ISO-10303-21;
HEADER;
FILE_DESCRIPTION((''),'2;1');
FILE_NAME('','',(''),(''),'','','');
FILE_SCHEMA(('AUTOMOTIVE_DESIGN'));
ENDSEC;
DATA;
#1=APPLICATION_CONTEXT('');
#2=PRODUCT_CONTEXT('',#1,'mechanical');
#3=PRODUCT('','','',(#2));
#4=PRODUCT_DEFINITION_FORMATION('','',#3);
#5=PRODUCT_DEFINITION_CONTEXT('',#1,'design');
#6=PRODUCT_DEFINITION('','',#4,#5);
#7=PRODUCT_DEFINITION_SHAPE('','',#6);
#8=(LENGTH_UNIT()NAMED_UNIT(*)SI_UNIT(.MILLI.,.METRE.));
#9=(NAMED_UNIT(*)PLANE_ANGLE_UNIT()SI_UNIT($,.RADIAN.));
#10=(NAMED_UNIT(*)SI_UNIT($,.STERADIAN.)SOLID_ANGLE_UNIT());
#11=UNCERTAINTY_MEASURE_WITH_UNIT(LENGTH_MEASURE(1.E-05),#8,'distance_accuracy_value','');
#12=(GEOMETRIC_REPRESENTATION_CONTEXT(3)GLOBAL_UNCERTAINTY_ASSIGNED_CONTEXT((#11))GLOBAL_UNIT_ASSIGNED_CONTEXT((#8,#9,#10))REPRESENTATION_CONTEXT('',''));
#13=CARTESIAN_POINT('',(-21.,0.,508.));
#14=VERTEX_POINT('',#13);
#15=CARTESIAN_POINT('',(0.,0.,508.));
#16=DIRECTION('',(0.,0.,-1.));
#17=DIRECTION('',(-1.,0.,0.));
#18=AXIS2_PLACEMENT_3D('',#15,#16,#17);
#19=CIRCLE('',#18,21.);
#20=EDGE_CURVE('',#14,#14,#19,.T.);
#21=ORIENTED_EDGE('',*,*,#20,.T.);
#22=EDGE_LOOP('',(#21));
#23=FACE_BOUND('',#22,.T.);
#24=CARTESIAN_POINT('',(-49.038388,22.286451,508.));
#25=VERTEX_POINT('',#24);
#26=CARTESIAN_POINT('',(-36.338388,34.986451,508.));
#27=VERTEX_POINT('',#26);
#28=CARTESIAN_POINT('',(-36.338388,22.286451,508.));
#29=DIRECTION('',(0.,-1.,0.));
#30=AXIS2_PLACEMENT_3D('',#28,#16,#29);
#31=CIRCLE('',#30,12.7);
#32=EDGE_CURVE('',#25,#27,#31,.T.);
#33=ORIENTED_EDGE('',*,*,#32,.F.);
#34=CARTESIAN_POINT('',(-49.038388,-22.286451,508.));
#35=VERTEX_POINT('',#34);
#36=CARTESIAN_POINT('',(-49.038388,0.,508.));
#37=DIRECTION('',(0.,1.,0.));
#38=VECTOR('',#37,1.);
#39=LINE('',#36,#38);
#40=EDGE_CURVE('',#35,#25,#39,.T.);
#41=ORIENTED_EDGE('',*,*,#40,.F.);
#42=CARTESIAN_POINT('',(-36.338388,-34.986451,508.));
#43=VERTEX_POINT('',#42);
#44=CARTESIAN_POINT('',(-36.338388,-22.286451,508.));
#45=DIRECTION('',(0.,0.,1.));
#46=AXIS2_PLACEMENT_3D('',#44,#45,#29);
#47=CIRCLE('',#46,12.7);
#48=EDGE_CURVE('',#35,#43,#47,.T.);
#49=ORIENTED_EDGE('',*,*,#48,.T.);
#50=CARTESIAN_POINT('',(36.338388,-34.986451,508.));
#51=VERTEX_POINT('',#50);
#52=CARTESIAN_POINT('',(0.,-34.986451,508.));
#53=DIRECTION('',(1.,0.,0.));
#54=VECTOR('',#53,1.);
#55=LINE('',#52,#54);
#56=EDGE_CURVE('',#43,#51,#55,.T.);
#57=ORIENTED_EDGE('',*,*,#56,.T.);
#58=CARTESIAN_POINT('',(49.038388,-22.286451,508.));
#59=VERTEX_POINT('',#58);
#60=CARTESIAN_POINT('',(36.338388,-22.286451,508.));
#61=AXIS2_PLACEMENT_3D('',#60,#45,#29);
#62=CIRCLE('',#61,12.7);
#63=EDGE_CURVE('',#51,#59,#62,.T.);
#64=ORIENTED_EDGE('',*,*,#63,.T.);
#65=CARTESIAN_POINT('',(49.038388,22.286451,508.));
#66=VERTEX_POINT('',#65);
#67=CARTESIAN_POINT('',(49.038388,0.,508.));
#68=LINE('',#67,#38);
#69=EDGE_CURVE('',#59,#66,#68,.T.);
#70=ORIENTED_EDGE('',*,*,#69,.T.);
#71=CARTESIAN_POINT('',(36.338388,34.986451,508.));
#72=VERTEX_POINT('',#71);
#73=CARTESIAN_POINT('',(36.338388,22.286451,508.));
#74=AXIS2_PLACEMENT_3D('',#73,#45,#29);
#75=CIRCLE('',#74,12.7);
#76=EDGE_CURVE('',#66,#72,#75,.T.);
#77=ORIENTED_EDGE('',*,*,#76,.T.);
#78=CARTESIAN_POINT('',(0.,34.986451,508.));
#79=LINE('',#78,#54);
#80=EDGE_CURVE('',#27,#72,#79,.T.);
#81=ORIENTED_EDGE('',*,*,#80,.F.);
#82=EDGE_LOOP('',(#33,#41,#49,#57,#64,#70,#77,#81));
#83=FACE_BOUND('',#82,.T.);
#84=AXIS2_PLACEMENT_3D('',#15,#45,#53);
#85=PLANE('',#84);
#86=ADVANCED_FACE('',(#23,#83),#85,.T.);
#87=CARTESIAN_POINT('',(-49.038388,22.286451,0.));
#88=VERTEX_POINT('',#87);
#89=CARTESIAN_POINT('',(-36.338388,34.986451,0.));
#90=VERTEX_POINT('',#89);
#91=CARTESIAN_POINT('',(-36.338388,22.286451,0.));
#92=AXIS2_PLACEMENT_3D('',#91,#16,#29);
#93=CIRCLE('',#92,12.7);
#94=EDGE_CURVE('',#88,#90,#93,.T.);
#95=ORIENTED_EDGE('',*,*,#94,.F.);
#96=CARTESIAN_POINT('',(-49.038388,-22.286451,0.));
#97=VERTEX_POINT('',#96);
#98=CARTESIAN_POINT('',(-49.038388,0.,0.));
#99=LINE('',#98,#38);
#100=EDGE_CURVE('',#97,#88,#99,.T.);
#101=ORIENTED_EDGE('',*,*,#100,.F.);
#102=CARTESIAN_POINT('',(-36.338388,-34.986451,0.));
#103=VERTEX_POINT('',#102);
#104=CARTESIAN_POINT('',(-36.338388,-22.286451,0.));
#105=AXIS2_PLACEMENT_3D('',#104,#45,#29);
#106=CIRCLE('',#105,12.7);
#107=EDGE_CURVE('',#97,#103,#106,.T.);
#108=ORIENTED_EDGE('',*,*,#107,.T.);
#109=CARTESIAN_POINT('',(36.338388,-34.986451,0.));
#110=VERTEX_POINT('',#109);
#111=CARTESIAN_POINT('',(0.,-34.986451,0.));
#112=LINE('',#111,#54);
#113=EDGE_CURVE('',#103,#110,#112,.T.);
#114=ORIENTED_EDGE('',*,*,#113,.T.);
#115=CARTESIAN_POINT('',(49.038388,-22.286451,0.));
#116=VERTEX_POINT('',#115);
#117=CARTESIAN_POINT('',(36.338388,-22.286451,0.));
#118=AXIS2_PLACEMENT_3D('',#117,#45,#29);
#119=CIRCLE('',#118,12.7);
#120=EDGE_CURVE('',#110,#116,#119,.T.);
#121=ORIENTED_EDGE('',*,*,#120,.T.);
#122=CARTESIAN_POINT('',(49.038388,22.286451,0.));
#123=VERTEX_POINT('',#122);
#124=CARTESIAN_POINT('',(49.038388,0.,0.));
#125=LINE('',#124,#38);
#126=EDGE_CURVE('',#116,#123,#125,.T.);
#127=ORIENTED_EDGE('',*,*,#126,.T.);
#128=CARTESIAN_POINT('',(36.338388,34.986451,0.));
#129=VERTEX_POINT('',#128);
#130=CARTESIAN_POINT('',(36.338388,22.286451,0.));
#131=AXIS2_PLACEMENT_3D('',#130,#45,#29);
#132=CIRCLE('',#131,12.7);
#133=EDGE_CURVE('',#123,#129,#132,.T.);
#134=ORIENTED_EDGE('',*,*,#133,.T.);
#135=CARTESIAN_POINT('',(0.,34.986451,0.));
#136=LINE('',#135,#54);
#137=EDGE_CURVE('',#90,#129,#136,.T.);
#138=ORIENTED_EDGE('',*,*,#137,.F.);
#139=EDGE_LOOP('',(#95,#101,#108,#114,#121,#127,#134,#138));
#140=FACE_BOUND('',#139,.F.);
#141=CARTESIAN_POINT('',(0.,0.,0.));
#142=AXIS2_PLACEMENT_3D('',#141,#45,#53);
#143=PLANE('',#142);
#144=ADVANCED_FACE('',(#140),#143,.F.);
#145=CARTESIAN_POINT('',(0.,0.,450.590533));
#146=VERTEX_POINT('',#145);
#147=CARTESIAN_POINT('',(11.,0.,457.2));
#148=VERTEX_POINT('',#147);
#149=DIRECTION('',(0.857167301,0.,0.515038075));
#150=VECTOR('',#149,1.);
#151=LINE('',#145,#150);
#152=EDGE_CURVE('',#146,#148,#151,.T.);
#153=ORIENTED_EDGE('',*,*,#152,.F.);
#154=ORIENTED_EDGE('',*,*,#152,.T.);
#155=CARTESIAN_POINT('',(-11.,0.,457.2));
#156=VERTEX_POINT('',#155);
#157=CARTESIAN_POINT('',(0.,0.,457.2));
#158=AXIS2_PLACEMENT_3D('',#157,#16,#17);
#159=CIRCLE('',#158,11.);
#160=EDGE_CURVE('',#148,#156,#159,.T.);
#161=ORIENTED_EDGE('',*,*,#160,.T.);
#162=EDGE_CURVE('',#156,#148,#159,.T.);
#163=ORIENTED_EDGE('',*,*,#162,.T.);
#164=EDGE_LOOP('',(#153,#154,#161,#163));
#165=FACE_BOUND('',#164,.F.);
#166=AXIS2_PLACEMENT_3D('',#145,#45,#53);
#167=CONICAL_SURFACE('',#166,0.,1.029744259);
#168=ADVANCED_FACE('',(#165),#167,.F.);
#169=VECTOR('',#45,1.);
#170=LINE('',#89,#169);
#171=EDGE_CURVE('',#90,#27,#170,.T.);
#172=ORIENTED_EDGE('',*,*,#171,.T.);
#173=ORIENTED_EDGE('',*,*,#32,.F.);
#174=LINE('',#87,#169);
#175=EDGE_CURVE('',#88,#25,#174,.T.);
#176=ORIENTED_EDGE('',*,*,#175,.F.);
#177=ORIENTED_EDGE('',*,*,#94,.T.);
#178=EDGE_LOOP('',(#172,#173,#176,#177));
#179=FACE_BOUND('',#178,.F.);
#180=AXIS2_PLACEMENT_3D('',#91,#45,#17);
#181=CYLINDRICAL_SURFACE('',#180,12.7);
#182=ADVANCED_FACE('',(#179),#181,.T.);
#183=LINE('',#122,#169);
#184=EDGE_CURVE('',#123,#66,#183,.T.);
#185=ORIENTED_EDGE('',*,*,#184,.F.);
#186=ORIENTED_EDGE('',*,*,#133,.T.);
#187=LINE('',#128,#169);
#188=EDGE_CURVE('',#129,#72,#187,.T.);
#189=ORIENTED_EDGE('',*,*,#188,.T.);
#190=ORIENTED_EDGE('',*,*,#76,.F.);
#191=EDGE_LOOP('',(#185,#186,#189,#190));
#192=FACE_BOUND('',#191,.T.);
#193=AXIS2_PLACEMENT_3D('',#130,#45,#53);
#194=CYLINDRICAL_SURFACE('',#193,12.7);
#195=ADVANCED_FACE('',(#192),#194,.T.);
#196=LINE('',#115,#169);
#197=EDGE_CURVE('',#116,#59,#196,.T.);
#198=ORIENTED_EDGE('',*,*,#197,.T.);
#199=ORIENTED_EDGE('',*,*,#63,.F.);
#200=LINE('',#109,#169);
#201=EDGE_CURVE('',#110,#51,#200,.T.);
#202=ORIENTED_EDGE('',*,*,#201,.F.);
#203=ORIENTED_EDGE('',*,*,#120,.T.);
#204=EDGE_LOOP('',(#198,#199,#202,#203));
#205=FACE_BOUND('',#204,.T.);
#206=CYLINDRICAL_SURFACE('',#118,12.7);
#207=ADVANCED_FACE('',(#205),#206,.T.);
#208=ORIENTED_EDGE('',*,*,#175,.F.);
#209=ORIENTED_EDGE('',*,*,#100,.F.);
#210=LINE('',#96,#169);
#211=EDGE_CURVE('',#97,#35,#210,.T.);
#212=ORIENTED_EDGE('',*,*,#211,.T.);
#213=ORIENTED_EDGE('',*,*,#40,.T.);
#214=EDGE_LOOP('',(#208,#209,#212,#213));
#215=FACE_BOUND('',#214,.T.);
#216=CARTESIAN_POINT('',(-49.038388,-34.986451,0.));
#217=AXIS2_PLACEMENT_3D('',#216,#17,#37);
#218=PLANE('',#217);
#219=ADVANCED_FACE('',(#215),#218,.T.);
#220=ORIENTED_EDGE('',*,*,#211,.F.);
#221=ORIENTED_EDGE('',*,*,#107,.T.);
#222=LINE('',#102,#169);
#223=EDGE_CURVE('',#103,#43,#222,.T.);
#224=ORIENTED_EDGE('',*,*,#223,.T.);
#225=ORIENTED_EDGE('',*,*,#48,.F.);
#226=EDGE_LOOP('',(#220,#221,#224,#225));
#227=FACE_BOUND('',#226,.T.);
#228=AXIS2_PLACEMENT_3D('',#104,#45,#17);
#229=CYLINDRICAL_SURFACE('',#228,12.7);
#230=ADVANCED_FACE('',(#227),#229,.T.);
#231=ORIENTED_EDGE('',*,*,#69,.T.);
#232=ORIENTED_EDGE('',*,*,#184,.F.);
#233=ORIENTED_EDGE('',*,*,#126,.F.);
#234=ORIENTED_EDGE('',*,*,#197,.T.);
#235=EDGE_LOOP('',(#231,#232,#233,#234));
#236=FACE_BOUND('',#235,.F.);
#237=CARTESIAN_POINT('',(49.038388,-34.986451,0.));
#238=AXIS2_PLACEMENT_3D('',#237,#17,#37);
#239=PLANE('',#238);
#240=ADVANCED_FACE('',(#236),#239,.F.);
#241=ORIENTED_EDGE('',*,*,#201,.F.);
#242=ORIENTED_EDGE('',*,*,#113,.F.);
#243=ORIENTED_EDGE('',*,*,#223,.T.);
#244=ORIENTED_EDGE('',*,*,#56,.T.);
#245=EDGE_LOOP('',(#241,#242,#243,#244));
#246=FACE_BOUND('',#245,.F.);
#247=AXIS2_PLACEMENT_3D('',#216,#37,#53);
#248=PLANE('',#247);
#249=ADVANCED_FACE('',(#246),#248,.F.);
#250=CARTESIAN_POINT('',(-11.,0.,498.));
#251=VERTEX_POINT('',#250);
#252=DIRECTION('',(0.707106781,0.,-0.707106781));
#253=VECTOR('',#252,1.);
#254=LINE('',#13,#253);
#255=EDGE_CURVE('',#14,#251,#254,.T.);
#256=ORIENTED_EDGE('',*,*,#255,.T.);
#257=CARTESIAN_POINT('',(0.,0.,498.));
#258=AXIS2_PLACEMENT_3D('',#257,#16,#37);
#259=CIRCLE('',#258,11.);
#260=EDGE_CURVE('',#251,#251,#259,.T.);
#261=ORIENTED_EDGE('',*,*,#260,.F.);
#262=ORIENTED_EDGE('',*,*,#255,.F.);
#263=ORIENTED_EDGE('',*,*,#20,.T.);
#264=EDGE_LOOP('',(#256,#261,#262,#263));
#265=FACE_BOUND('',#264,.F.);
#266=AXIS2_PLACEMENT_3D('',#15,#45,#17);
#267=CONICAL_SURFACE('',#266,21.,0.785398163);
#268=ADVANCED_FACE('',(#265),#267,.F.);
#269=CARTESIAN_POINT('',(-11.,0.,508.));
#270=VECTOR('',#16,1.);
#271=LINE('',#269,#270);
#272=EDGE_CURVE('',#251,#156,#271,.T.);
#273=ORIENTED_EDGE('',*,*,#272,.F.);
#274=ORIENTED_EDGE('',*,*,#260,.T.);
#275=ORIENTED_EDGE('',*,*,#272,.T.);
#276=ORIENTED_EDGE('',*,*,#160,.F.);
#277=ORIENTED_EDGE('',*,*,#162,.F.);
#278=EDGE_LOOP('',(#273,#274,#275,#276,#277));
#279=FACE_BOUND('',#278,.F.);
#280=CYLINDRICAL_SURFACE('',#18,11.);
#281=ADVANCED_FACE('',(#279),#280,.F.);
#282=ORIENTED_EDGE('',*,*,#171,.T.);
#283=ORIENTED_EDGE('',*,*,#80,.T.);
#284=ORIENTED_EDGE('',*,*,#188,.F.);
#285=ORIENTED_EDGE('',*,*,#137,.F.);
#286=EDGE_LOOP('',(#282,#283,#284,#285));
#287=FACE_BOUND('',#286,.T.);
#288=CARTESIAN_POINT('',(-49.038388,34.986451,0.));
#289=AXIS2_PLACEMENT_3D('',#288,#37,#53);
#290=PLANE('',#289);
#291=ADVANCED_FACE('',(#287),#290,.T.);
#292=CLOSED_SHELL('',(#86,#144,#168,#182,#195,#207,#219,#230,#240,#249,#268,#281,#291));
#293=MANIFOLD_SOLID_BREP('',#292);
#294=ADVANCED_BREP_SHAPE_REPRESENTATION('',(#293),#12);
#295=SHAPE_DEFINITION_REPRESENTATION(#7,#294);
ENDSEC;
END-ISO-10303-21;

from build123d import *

# Parameters (mm, degrees)
F0_W           = 98.0767756701
F0_H           = 69.9729025364
F1_DEPTH       = 508
F2_R           = 12.7
F4_D           = 22
F4_DEPTH       = 50.8
F4_CSINK_D     = 42
F4_CSINK_ANGLE = 90
F4_TIP         = 6.6094668093


with BuildPart() as f1:
    # F0 (on Top) → F1 (new body)
    with BuildSketch(Plane.XY):
        Rectangle(F0_W, F0_H)
    extrude(amount=F1_DEPTH)

    # F2
    f2_edges = [f1.edges().sort_by_distance(p)[0] for p in [
        (49.038388, 34.986451, 254),
        (-49.038388, 34.986451, 254),
        (-49.038388, -34.986451, 254),
        (49.038388, -34.986451, 254),
    ]]
    fillet(f2_edges, radius=F2_R)

    # F4
    with Locations(Plane.XY.offset(508)):
        with Locations((0, 0)):
            CounterSinkHole(F4_D / 2, F4_CSINK_D / 2, depth=F4_DEPTH, counter_sink_angle=F4_CSINK_ANGLE)
            with Locations((0, 0, -(F4_DEPTH + F4_TIP / 2))):  # 118° drill point
                Cone(0, F4_D / 2, F4_TIP, mode=Mode.SUBTRACT)


solid = f1.part
